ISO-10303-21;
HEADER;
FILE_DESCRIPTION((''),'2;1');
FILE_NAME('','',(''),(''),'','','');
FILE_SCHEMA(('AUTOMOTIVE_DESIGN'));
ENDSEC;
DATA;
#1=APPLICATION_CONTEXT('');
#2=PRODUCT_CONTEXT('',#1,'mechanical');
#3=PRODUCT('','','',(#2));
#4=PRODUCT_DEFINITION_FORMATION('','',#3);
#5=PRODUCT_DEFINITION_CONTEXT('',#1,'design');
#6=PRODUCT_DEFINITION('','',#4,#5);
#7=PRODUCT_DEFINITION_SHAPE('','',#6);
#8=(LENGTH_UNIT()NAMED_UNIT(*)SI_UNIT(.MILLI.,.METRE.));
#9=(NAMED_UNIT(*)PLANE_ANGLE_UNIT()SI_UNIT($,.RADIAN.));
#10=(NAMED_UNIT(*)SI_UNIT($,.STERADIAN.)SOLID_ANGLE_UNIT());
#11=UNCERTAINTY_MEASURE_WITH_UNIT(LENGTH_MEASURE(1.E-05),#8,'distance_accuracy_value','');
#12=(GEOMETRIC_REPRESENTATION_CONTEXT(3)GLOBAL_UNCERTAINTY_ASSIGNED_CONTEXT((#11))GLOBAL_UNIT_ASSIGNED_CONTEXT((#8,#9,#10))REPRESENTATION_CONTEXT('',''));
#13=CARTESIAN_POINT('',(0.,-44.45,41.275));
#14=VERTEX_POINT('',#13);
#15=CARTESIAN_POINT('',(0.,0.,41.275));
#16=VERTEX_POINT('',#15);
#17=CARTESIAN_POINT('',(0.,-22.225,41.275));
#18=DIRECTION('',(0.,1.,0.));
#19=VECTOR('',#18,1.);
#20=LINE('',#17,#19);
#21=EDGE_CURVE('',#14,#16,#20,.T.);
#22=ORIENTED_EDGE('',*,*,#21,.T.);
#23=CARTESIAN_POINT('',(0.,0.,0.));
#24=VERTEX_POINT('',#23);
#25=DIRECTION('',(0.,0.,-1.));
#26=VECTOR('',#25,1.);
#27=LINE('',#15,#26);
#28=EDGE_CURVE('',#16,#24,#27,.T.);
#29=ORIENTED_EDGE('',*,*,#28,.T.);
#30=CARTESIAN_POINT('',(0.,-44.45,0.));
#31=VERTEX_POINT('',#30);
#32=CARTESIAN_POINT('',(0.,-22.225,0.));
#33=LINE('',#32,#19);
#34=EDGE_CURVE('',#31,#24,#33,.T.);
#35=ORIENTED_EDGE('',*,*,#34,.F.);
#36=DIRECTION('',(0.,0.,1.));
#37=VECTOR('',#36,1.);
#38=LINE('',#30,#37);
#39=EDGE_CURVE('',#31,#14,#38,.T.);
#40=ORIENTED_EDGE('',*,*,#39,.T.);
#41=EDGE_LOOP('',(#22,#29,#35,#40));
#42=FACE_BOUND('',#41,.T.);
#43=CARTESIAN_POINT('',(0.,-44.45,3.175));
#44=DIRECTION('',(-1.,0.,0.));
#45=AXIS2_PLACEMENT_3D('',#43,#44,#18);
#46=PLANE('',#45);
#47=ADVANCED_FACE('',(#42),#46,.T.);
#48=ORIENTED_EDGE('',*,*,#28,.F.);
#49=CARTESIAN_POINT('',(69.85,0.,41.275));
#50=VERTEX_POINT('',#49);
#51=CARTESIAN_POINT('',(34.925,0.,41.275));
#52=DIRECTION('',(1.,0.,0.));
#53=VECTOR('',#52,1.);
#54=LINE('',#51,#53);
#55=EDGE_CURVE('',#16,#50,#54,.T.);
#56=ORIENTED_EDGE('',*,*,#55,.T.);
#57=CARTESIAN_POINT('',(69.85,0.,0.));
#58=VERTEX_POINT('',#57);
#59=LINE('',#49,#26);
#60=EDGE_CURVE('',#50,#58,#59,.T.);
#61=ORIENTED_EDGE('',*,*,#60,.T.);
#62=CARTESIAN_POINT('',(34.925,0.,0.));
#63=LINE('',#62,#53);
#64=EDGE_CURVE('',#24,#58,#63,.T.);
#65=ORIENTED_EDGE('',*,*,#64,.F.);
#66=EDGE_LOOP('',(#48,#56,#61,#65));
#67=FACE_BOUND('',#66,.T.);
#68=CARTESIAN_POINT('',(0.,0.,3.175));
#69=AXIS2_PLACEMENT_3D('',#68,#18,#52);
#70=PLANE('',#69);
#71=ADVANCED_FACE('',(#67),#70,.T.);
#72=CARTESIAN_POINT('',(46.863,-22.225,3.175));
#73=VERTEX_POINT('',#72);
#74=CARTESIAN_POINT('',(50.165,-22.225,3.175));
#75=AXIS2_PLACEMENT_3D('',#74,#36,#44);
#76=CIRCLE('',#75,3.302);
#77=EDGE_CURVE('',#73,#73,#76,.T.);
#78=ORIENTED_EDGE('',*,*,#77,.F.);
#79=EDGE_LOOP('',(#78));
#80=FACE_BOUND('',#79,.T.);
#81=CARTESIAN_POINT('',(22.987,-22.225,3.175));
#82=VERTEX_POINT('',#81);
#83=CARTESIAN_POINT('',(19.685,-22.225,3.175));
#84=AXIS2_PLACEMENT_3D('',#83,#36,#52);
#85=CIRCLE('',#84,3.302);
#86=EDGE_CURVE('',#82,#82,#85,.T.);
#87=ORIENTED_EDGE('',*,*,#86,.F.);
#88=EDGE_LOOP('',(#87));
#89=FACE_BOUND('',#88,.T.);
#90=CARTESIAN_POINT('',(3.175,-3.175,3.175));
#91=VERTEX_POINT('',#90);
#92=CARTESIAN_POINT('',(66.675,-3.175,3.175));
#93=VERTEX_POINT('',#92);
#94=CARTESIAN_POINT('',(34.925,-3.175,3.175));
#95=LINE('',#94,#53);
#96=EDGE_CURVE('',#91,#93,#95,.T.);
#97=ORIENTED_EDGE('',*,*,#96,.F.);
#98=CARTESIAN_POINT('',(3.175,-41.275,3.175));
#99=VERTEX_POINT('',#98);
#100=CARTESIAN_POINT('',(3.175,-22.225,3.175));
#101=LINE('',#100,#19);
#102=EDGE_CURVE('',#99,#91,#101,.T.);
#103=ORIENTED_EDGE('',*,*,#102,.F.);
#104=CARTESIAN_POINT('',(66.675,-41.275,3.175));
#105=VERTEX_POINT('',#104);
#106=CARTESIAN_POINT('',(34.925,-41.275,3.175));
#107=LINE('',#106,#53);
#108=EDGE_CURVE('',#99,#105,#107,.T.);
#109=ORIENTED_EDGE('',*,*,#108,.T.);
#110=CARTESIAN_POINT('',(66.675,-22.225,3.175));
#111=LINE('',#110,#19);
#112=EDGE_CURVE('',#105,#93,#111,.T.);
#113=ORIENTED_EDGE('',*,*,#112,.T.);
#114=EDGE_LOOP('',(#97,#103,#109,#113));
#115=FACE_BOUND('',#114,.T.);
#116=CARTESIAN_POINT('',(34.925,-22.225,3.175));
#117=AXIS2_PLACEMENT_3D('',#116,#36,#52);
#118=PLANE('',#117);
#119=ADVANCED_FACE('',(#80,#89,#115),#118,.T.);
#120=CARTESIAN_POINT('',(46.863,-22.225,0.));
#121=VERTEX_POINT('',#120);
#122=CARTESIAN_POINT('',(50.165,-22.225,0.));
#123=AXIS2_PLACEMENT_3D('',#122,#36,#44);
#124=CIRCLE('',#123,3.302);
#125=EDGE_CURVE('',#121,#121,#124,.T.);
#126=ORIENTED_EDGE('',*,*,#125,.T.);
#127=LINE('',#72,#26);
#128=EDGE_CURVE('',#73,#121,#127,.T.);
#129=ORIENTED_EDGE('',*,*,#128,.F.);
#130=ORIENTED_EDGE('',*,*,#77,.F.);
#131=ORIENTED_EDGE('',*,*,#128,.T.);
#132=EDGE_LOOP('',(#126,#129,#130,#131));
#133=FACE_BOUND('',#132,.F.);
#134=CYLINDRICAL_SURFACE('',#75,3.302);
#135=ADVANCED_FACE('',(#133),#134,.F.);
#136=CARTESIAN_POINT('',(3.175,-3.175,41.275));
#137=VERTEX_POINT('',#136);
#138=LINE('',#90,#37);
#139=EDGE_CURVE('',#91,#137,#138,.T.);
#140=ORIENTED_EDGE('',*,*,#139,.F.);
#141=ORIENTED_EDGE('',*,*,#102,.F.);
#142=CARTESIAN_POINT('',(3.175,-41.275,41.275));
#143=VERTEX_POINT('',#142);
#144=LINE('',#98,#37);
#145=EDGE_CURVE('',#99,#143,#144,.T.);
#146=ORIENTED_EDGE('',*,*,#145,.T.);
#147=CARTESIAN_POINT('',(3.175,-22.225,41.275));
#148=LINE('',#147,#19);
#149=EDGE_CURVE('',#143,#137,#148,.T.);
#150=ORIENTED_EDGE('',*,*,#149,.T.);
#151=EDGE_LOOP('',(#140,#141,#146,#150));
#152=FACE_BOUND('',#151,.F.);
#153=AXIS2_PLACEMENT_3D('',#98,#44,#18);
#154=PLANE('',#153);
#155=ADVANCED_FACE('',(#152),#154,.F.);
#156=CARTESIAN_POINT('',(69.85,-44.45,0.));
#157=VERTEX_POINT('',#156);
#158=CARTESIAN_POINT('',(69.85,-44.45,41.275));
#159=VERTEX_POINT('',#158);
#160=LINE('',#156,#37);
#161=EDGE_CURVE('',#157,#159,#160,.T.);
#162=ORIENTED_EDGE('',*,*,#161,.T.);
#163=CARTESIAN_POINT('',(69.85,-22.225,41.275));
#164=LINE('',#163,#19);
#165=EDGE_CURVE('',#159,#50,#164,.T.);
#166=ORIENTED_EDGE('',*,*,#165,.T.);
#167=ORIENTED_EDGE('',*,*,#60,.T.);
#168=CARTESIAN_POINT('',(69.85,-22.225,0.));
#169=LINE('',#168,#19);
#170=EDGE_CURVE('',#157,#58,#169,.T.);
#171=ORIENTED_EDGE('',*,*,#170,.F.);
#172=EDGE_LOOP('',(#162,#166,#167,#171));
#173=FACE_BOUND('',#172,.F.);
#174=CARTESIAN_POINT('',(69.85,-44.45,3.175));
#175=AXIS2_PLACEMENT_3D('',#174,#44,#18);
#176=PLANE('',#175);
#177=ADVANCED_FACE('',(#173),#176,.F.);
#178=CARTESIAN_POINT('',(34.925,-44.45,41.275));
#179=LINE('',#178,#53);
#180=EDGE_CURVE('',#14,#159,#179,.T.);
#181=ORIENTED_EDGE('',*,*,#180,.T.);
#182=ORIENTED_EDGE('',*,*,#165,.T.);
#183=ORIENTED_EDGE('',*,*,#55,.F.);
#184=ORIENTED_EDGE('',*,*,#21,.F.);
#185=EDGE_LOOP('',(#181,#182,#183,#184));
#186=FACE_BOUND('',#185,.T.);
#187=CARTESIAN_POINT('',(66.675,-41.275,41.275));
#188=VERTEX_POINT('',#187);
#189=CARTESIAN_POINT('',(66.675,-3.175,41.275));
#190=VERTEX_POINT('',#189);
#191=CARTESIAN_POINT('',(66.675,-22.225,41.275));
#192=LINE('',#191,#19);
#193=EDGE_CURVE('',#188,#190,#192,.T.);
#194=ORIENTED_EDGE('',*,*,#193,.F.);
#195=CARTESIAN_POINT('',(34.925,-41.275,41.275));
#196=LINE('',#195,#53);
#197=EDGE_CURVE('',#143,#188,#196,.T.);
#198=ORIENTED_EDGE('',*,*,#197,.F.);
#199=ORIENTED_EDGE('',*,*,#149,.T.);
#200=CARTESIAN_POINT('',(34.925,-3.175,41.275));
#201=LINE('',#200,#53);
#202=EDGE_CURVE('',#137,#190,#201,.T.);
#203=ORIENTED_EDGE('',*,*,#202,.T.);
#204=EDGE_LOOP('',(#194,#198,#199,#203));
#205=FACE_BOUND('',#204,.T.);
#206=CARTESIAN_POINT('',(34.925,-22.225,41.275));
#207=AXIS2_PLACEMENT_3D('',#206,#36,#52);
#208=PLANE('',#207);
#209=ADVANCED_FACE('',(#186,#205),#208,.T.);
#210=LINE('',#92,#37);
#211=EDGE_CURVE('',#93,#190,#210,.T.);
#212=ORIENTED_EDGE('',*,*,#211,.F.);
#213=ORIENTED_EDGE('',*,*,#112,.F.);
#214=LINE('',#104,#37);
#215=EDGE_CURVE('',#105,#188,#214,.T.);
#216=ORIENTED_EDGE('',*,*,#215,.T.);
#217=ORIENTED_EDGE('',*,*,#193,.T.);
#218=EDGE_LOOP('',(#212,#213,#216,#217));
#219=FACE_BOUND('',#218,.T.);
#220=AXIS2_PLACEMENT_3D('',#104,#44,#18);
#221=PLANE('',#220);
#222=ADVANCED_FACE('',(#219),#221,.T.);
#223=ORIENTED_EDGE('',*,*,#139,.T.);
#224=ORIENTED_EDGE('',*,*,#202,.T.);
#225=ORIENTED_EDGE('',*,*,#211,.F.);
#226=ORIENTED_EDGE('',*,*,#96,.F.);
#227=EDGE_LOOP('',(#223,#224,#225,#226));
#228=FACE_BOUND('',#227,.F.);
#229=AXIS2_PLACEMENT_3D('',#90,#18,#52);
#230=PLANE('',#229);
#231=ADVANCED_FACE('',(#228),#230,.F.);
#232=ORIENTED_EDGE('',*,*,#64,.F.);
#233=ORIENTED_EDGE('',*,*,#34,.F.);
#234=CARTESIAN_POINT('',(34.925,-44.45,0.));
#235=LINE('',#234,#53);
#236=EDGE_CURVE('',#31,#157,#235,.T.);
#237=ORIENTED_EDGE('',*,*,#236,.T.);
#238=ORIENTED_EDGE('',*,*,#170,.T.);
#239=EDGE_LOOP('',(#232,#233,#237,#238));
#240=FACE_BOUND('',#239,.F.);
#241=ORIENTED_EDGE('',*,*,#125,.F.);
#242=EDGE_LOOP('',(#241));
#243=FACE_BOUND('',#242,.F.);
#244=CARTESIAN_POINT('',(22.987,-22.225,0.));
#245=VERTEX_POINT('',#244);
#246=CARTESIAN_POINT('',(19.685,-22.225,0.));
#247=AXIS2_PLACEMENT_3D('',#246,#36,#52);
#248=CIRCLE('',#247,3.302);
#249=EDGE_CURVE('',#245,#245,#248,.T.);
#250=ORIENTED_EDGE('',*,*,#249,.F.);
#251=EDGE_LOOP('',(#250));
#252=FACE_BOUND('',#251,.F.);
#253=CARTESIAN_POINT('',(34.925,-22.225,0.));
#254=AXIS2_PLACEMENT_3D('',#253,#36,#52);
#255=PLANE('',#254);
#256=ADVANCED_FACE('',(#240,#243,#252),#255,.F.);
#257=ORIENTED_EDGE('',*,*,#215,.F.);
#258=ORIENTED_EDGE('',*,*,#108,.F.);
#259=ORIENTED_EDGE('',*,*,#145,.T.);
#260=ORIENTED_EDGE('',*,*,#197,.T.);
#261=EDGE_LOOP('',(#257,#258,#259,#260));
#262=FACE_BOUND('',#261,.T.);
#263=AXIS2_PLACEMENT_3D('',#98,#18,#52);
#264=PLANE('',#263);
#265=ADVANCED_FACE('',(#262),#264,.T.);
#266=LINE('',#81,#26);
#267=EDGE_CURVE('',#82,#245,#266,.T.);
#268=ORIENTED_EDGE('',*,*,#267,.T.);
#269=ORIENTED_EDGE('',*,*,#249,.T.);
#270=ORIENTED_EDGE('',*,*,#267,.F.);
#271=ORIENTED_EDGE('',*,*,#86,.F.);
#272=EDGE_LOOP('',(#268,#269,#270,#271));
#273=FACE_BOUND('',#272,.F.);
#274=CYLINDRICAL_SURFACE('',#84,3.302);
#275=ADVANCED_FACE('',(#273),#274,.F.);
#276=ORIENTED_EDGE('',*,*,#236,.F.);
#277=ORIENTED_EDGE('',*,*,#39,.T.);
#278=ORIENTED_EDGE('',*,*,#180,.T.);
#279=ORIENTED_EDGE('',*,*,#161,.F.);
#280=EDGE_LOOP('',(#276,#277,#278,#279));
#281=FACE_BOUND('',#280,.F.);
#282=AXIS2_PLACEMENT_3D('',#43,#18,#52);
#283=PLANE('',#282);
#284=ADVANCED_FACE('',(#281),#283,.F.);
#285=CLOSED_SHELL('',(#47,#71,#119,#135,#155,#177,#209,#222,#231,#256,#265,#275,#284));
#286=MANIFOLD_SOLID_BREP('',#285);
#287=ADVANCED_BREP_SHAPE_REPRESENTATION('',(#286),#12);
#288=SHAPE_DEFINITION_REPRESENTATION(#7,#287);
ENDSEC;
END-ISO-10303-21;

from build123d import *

# Parameters (mm, degrees)
F0_W     = 69.85
F0_H     = 44.45
F1_DEPTH = 3.175
F3_DEPTH = 3.175
F4_W     = 69.85
F4_H     = 44.45
F4_W_2   = 63.5
F4_H_2   = 38.1
F5_DEPTH = 38.1


with BuildPart() as f1:
    # F0 (on Top) → F1 (new body)
    with BuildSketch(Plane.XY):
        with Locations((34.925, -22.225)):
            Rectangle(F0_W, F0_H)
    extrude(amount=F1_DEPTH)

    # F2 (on face) → F3 (cut, through all)
    with BuildSketch(Plane.XY.offset(3.175)):
        with BuildLine():
            ThreePointArc((16.383, -22.225), (19.685, -25.527), (22.987, -22.225))
            Line((22.987, -22.225), (16.383, -22.225))
        make_face()
        with BuildLine():
            Line((16.383, -22.225), (22.987, -22.225))
            ThreePointArc((22.987, -22.225), (19.685, -18.923), (16.383, -22.225))
        make_face()
        with BuildLine():
            ThreePointArc((53.467, -22.225), (50.165, -18.923), (46.863, -22.225))
            Line((46.863, -22.225), (53.467, -22.225))
        make_face()
        with BuildLine():
            Line((53.467, -22.225), (46.863, -22.225))
            ThreePointArc((46.863, -22.225), (50.165, -25.527), (53.467, -22.225))
        make_face()
    extrude(amount=-F3_DEPTH, mode=Mode.SUBTRACT)

    # F4 (on face) → F5 (join)
    with BuildSketch(Plane.XY.offset(3.175)):
        with Locations((34.925, -22.225)):
            Rectangle(F4_W, F4_H)
        with Locations((34.925, -22.225)):
            Rectangle(F4_W_2, F4_H_2, mode=Mode.SUBTRACT)
    extrude(amount=F5_DEPTH)


solid = f1.part
